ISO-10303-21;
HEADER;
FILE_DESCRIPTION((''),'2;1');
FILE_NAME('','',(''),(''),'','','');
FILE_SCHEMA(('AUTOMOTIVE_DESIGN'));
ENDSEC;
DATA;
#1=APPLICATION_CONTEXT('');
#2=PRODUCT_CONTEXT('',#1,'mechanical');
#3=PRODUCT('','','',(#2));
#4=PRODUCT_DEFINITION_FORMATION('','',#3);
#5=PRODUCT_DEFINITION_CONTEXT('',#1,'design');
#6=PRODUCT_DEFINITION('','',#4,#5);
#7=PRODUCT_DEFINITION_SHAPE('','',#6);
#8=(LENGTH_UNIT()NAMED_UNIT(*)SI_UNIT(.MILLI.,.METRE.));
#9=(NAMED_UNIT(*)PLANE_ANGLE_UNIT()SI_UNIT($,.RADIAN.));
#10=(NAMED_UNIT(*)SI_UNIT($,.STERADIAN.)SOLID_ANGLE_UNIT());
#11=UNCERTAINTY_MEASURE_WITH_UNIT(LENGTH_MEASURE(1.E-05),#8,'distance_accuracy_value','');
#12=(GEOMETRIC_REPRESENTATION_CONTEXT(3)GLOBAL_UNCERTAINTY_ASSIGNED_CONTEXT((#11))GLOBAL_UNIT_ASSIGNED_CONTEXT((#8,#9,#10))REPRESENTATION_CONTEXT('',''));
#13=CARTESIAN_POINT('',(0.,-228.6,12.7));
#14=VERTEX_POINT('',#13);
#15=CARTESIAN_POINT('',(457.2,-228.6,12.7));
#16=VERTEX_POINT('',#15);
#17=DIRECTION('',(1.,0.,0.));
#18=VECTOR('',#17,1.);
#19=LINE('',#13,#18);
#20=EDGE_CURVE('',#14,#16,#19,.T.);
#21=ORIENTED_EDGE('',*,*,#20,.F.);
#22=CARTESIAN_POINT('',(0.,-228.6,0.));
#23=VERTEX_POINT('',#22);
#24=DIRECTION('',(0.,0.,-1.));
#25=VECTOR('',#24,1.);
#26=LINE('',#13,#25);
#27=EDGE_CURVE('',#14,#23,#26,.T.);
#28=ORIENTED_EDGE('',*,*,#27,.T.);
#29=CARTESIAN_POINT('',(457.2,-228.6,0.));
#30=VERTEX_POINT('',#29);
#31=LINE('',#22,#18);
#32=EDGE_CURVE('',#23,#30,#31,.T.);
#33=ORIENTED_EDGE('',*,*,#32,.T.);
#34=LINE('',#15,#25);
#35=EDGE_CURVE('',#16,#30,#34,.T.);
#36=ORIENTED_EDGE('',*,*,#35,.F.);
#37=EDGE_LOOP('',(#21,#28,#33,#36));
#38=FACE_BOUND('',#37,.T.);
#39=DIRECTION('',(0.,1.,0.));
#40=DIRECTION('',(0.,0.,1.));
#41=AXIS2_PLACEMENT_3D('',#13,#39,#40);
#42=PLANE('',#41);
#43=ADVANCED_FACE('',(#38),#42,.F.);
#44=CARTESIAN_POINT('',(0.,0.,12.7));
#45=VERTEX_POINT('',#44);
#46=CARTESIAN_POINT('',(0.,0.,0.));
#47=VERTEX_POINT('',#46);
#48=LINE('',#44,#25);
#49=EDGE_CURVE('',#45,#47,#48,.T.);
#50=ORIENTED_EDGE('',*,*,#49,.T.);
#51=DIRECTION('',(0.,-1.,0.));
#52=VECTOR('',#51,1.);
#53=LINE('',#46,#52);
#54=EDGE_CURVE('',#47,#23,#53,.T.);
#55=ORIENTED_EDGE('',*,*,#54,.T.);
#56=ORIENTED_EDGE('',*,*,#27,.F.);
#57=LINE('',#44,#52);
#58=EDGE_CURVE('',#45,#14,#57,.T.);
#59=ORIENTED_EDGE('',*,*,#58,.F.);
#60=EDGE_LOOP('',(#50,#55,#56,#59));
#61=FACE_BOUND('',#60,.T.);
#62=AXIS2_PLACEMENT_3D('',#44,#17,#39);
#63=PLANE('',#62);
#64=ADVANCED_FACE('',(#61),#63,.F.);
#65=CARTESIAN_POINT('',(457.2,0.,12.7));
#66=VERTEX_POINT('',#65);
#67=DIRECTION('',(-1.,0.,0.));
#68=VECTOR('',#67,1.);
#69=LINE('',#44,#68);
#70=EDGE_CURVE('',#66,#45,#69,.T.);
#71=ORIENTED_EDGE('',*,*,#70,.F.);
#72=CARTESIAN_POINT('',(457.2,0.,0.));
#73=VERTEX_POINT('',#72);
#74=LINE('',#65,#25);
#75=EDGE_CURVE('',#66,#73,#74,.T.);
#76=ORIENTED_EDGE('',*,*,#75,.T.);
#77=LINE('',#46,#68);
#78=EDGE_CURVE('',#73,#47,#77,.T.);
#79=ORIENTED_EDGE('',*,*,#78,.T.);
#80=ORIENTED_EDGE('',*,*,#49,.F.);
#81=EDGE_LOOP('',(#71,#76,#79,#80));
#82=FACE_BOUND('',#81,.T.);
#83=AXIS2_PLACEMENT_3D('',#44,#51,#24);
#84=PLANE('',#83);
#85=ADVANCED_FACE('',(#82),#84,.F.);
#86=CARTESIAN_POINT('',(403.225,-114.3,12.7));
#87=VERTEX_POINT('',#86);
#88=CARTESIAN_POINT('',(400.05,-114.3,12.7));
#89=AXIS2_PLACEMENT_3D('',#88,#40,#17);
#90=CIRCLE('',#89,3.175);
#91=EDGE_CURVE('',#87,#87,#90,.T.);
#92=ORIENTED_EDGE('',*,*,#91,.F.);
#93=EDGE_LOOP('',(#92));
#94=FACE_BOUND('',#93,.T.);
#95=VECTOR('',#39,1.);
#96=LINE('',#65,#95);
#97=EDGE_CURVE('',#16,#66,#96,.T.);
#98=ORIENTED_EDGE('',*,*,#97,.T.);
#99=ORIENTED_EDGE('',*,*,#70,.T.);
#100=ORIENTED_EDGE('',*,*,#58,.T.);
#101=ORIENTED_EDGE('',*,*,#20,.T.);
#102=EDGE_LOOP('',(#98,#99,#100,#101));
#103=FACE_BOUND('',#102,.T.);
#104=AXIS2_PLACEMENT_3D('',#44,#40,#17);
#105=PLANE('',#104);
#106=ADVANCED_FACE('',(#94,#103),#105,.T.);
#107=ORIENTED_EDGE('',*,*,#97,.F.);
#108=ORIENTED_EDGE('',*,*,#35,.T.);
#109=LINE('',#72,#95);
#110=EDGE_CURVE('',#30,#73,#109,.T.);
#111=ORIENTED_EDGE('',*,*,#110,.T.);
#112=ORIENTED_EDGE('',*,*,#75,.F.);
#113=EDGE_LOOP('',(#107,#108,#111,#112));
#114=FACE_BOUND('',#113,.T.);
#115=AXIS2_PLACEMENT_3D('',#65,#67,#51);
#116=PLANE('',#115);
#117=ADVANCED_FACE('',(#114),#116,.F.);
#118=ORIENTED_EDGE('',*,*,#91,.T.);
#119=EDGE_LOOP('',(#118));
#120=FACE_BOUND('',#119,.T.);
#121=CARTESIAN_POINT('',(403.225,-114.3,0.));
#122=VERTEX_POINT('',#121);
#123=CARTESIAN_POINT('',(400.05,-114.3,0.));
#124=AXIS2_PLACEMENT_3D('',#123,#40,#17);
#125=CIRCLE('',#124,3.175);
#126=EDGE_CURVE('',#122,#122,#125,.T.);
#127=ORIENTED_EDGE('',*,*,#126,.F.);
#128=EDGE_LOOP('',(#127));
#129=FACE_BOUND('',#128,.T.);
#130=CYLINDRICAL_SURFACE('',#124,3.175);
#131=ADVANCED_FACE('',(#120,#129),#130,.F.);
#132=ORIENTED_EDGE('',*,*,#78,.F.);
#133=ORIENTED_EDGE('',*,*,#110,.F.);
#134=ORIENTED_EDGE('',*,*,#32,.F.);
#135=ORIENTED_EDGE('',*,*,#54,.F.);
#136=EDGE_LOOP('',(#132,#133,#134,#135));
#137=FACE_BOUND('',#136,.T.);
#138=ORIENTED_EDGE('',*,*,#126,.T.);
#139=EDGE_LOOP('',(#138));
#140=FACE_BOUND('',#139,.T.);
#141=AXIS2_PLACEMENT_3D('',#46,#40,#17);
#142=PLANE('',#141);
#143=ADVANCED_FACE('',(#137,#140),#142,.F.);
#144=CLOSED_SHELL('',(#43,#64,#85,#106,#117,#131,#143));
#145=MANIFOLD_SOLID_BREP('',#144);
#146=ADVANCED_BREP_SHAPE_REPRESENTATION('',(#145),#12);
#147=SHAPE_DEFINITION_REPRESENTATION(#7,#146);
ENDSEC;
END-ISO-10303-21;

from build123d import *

# Parameters (mm, degrees)
SKETCH2_W           = 457.2
SKETCH2_H           = 228.6
BOSS_EXTRUDE1_DEPTH = 12.7
SKETCH3_R           = 3.175
CUT_EXTRUDE1_DEPTH  = 12.7


with BuildPart() as part:
    # Sketch2 → Boss-Extrude1 (new body)
    with BuildSketch(Plane.XY):
        with Locations((228.6, -114.3)):
            Rectangle(SKETCH2_W, SKETCH2_H)
    extrude(amount=BOSS_EXTRUDE1_DEPTH)

    # Sketch3 → Cut-Extrude1 (cut)
    with BuildSketch(Plane.XY.offset(12.7)):
        with Locations((400.05, -114.3)):
            Circle(SKETCH3_R)
    extrude(amount=-CUT_EXTRUDE1_DEPTH, mode=Mode.SUBTRACT)


solid = part.part
